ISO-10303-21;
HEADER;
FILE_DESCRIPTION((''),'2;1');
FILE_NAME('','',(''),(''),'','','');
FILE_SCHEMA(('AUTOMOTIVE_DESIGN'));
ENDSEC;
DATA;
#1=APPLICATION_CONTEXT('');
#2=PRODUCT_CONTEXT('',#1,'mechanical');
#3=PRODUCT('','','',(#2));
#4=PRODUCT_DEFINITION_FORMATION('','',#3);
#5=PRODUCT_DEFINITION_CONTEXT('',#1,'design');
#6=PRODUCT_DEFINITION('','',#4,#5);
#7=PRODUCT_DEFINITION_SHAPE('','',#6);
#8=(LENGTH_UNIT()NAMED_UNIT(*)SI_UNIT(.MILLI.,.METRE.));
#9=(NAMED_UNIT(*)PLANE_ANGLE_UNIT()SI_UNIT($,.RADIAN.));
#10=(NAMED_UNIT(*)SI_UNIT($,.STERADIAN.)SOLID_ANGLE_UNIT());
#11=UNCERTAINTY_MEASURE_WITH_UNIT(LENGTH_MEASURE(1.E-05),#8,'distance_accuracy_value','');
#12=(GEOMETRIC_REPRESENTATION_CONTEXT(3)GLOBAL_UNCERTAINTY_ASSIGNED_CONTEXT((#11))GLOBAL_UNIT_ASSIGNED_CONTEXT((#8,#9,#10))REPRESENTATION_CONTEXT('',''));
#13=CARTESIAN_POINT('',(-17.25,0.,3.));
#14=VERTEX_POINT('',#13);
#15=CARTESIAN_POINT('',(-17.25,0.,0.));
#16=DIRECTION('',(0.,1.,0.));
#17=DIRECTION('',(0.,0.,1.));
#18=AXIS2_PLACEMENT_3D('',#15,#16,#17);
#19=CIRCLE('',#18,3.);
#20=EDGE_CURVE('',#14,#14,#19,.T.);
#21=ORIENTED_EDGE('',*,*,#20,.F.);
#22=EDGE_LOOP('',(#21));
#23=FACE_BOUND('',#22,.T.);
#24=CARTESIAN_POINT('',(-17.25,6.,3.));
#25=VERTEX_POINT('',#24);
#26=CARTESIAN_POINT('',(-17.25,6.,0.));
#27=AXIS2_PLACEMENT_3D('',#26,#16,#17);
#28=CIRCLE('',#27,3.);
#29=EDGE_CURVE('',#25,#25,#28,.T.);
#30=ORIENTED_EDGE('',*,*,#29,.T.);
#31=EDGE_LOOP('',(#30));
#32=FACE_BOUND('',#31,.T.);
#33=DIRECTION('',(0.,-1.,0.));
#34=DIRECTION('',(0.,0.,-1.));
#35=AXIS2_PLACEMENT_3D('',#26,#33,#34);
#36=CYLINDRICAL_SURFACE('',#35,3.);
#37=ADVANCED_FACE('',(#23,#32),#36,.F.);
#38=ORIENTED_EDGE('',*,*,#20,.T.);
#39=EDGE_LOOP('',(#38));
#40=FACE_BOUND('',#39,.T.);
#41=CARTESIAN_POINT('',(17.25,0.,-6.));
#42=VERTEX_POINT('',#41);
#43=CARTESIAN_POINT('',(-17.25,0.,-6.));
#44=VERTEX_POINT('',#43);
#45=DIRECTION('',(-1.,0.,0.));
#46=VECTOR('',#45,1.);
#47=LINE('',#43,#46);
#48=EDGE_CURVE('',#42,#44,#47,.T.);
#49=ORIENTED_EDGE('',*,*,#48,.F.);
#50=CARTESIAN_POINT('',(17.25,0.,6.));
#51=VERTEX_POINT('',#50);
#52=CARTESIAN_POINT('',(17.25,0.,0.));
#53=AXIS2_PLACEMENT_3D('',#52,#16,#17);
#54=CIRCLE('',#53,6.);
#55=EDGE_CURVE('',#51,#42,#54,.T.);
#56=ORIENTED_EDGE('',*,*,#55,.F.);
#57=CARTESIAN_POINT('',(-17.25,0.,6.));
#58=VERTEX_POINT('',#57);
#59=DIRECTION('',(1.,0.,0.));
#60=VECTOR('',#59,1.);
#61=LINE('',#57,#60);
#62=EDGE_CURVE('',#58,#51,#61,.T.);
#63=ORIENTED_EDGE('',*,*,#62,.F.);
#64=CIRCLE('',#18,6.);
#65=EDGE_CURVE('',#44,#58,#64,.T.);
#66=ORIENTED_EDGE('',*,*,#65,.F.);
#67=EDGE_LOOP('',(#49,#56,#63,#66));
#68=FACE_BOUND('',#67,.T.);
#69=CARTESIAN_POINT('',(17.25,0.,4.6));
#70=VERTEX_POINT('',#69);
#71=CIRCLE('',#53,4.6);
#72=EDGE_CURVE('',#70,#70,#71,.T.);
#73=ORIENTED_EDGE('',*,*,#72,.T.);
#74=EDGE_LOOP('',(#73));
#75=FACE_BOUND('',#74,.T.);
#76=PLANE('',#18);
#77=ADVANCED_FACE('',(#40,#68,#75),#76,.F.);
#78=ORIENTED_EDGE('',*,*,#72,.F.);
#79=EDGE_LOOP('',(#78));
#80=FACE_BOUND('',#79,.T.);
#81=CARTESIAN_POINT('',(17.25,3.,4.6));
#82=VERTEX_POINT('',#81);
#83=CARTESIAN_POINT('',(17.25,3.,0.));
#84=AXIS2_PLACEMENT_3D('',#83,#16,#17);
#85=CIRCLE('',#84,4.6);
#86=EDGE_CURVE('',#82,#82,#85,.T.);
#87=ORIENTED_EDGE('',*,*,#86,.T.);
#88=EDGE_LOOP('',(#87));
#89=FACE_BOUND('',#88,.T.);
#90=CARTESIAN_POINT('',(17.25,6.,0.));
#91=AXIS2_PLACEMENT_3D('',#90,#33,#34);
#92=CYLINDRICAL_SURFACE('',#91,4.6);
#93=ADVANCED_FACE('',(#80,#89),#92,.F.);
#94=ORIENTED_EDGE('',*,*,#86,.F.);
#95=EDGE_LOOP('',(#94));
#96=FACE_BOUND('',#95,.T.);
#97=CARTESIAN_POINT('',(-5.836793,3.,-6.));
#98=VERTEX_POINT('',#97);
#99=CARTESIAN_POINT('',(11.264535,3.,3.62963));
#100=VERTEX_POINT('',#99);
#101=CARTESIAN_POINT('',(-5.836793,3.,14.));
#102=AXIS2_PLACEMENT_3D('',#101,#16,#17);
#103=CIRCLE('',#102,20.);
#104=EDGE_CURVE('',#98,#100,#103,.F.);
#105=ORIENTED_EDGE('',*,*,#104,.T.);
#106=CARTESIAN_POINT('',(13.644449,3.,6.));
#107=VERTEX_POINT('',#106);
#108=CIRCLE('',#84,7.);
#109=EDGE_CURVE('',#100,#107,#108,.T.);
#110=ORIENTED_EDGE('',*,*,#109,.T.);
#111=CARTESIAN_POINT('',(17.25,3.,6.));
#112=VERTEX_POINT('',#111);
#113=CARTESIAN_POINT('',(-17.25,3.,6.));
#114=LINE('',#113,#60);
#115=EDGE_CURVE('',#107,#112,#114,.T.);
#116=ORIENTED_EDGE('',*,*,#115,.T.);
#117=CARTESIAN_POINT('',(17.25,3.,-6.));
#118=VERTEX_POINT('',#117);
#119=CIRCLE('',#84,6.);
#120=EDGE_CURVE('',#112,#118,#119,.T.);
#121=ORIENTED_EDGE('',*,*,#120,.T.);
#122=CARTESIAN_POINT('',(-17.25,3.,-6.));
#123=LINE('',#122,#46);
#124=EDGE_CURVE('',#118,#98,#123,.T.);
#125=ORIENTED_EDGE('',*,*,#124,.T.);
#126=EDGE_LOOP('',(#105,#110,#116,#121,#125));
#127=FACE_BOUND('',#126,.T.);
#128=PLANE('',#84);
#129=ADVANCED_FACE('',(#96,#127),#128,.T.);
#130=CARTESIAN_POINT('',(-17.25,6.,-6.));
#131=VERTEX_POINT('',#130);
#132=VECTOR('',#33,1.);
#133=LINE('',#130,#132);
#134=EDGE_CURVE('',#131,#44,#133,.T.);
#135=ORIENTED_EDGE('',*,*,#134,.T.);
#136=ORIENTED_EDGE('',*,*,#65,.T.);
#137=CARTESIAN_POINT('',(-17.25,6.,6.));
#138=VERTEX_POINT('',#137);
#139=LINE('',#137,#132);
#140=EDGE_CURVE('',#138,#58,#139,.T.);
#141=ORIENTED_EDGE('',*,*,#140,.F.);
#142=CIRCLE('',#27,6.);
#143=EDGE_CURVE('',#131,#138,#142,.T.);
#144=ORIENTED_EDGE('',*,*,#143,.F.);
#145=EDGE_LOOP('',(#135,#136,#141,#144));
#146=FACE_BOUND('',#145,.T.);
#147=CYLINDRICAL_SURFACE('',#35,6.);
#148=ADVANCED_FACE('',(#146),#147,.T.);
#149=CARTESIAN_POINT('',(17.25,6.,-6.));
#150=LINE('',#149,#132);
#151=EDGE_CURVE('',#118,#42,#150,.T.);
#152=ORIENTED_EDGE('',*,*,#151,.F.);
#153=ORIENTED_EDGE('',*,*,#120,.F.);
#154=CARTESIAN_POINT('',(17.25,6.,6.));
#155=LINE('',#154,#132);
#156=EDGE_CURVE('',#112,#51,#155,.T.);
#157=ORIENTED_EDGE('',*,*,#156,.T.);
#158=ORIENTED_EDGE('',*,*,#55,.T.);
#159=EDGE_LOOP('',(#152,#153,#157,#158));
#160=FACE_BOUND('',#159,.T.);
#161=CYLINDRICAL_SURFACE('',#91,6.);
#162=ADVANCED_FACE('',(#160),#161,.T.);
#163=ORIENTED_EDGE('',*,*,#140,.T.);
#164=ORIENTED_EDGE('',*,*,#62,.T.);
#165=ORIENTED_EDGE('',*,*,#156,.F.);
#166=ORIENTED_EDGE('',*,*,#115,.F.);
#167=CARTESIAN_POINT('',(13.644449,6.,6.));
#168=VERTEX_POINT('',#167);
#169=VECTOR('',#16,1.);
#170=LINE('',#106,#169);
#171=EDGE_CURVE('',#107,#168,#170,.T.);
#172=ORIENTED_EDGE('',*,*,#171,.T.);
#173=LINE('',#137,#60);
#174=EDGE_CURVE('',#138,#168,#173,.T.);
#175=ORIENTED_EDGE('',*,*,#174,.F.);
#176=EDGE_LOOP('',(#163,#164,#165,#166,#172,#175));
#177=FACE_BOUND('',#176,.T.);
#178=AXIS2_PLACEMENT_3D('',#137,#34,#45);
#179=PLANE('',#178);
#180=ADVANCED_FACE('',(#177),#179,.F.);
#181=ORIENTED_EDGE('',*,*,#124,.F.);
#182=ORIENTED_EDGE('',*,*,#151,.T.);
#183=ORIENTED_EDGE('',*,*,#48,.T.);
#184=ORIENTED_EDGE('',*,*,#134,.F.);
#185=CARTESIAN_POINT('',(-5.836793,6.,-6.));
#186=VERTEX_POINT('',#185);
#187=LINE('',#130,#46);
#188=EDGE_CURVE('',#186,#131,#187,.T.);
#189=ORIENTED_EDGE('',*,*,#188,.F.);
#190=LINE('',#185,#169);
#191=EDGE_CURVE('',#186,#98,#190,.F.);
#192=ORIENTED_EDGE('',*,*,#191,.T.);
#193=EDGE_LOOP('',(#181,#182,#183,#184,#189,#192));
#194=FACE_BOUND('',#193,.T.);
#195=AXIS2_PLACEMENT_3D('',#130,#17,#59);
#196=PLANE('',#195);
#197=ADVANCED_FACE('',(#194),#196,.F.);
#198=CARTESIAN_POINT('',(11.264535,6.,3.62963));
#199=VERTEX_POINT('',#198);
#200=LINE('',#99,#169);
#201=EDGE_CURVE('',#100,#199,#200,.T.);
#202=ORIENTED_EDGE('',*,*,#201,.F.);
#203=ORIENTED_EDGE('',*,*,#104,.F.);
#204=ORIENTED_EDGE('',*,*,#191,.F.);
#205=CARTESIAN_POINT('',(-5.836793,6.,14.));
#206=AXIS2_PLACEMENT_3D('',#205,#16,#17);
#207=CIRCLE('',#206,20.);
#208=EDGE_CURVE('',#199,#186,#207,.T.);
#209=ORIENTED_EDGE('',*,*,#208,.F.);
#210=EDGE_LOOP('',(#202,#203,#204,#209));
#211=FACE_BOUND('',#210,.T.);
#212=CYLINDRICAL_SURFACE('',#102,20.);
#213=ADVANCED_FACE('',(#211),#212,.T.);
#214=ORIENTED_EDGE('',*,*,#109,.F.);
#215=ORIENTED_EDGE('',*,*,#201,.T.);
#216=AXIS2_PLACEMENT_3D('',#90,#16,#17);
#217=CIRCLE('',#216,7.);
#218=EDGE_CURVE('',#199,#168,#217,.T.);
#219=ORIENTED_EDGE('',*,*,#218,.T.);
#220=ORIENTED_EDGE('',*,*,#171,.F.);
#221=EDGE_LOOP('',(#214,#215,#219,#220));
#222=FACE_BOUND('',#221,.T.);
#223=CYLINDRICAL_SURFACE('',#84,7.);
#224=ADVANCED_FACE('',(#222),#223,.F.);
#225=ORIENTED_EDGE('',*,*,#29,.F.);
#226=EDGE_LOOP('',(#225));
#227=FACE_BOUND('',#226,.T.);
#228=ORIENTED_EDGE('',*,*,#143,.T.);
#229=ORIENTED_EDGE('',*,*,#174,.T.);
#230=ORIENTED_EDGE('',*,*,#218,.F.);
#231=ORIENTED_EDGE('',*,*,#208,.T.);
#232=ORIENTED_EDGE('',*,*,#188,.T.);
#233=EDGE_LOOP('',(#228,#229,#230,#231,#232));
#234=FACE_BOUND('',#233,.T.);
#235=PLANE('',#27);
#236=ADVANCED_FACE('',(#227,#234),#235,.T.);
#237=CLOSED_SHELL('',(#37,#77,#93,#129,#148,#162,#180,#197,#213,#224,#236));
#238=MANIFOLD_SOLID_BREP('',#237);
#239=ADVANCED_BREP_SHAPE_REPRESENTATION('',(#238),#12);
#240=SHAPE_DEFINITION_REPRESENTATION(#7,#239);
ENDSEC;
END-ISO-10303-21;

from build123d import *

# Parameters (mm, degrees)
SKETCH_1_R          = 3
SKETCH_1_R_2        = 4.6
EXTRUDE_1_DEPTH     = 6
SKETCH_3_R          = 7
CUT_EXTRUDE_1_DEPTH = 3
FILLET_1_R          = 20


with BuildPart() as part:
    # ｽｹｯﾁ1 → ﾎﾞｽ - 押し出し1 (new body)
    with BuildSketch(Plane(origin=(0, 0, 0), x_dir=(1, 0, 0), z_dir=(0, 1, 0))):
        with BuildLine():
            Line((-17.25, 6), (17.25, 6))
            ThreePointArc((17.25, 6), (23.25, 0), (17.25, -6))
            Line((17.25, -6), (-17.25, -6))
            ThreePointArc((-17.25, -6), (-23.25, 0), (-17.25, 6))
        make_face()
        with Locations((-17.25, 0)):
            Circle(SKETCH_1_R, mode=Mode.SUBTRACT)
        with Locations((17.25, 0)):
            Circle(SKETCH_1_R_2, mode=Mode.SUBTRACT)
    extrude(amount=EXTRUDE_1_DEPTH)

    # ｽｹｯﾁ3 → ｶｯﾄ - 押し出し1 (cut)
    with BuildSketch(Plane(origin=(0, 6, 0), x_dir=(1, 0, 0), z_dir=(0, 1, 0))):
        with Locations((17.25, 0)):
            Circle(SKETCH_3_R)
    extrude(amount=-CUT_EXTRUDE_1_DEPTH, mode=Mode.SUBTRACT)

    # ﾌｨﾚｯﾄ1
    fillet_1_edges = [part.edges().sort_by_distance(p)[0] for p in [
        (13.644448725, 4.5, -6),
    ]]
    fillet(fillet_1_edges, radius=FILLET_1_R)


solid = part.part
